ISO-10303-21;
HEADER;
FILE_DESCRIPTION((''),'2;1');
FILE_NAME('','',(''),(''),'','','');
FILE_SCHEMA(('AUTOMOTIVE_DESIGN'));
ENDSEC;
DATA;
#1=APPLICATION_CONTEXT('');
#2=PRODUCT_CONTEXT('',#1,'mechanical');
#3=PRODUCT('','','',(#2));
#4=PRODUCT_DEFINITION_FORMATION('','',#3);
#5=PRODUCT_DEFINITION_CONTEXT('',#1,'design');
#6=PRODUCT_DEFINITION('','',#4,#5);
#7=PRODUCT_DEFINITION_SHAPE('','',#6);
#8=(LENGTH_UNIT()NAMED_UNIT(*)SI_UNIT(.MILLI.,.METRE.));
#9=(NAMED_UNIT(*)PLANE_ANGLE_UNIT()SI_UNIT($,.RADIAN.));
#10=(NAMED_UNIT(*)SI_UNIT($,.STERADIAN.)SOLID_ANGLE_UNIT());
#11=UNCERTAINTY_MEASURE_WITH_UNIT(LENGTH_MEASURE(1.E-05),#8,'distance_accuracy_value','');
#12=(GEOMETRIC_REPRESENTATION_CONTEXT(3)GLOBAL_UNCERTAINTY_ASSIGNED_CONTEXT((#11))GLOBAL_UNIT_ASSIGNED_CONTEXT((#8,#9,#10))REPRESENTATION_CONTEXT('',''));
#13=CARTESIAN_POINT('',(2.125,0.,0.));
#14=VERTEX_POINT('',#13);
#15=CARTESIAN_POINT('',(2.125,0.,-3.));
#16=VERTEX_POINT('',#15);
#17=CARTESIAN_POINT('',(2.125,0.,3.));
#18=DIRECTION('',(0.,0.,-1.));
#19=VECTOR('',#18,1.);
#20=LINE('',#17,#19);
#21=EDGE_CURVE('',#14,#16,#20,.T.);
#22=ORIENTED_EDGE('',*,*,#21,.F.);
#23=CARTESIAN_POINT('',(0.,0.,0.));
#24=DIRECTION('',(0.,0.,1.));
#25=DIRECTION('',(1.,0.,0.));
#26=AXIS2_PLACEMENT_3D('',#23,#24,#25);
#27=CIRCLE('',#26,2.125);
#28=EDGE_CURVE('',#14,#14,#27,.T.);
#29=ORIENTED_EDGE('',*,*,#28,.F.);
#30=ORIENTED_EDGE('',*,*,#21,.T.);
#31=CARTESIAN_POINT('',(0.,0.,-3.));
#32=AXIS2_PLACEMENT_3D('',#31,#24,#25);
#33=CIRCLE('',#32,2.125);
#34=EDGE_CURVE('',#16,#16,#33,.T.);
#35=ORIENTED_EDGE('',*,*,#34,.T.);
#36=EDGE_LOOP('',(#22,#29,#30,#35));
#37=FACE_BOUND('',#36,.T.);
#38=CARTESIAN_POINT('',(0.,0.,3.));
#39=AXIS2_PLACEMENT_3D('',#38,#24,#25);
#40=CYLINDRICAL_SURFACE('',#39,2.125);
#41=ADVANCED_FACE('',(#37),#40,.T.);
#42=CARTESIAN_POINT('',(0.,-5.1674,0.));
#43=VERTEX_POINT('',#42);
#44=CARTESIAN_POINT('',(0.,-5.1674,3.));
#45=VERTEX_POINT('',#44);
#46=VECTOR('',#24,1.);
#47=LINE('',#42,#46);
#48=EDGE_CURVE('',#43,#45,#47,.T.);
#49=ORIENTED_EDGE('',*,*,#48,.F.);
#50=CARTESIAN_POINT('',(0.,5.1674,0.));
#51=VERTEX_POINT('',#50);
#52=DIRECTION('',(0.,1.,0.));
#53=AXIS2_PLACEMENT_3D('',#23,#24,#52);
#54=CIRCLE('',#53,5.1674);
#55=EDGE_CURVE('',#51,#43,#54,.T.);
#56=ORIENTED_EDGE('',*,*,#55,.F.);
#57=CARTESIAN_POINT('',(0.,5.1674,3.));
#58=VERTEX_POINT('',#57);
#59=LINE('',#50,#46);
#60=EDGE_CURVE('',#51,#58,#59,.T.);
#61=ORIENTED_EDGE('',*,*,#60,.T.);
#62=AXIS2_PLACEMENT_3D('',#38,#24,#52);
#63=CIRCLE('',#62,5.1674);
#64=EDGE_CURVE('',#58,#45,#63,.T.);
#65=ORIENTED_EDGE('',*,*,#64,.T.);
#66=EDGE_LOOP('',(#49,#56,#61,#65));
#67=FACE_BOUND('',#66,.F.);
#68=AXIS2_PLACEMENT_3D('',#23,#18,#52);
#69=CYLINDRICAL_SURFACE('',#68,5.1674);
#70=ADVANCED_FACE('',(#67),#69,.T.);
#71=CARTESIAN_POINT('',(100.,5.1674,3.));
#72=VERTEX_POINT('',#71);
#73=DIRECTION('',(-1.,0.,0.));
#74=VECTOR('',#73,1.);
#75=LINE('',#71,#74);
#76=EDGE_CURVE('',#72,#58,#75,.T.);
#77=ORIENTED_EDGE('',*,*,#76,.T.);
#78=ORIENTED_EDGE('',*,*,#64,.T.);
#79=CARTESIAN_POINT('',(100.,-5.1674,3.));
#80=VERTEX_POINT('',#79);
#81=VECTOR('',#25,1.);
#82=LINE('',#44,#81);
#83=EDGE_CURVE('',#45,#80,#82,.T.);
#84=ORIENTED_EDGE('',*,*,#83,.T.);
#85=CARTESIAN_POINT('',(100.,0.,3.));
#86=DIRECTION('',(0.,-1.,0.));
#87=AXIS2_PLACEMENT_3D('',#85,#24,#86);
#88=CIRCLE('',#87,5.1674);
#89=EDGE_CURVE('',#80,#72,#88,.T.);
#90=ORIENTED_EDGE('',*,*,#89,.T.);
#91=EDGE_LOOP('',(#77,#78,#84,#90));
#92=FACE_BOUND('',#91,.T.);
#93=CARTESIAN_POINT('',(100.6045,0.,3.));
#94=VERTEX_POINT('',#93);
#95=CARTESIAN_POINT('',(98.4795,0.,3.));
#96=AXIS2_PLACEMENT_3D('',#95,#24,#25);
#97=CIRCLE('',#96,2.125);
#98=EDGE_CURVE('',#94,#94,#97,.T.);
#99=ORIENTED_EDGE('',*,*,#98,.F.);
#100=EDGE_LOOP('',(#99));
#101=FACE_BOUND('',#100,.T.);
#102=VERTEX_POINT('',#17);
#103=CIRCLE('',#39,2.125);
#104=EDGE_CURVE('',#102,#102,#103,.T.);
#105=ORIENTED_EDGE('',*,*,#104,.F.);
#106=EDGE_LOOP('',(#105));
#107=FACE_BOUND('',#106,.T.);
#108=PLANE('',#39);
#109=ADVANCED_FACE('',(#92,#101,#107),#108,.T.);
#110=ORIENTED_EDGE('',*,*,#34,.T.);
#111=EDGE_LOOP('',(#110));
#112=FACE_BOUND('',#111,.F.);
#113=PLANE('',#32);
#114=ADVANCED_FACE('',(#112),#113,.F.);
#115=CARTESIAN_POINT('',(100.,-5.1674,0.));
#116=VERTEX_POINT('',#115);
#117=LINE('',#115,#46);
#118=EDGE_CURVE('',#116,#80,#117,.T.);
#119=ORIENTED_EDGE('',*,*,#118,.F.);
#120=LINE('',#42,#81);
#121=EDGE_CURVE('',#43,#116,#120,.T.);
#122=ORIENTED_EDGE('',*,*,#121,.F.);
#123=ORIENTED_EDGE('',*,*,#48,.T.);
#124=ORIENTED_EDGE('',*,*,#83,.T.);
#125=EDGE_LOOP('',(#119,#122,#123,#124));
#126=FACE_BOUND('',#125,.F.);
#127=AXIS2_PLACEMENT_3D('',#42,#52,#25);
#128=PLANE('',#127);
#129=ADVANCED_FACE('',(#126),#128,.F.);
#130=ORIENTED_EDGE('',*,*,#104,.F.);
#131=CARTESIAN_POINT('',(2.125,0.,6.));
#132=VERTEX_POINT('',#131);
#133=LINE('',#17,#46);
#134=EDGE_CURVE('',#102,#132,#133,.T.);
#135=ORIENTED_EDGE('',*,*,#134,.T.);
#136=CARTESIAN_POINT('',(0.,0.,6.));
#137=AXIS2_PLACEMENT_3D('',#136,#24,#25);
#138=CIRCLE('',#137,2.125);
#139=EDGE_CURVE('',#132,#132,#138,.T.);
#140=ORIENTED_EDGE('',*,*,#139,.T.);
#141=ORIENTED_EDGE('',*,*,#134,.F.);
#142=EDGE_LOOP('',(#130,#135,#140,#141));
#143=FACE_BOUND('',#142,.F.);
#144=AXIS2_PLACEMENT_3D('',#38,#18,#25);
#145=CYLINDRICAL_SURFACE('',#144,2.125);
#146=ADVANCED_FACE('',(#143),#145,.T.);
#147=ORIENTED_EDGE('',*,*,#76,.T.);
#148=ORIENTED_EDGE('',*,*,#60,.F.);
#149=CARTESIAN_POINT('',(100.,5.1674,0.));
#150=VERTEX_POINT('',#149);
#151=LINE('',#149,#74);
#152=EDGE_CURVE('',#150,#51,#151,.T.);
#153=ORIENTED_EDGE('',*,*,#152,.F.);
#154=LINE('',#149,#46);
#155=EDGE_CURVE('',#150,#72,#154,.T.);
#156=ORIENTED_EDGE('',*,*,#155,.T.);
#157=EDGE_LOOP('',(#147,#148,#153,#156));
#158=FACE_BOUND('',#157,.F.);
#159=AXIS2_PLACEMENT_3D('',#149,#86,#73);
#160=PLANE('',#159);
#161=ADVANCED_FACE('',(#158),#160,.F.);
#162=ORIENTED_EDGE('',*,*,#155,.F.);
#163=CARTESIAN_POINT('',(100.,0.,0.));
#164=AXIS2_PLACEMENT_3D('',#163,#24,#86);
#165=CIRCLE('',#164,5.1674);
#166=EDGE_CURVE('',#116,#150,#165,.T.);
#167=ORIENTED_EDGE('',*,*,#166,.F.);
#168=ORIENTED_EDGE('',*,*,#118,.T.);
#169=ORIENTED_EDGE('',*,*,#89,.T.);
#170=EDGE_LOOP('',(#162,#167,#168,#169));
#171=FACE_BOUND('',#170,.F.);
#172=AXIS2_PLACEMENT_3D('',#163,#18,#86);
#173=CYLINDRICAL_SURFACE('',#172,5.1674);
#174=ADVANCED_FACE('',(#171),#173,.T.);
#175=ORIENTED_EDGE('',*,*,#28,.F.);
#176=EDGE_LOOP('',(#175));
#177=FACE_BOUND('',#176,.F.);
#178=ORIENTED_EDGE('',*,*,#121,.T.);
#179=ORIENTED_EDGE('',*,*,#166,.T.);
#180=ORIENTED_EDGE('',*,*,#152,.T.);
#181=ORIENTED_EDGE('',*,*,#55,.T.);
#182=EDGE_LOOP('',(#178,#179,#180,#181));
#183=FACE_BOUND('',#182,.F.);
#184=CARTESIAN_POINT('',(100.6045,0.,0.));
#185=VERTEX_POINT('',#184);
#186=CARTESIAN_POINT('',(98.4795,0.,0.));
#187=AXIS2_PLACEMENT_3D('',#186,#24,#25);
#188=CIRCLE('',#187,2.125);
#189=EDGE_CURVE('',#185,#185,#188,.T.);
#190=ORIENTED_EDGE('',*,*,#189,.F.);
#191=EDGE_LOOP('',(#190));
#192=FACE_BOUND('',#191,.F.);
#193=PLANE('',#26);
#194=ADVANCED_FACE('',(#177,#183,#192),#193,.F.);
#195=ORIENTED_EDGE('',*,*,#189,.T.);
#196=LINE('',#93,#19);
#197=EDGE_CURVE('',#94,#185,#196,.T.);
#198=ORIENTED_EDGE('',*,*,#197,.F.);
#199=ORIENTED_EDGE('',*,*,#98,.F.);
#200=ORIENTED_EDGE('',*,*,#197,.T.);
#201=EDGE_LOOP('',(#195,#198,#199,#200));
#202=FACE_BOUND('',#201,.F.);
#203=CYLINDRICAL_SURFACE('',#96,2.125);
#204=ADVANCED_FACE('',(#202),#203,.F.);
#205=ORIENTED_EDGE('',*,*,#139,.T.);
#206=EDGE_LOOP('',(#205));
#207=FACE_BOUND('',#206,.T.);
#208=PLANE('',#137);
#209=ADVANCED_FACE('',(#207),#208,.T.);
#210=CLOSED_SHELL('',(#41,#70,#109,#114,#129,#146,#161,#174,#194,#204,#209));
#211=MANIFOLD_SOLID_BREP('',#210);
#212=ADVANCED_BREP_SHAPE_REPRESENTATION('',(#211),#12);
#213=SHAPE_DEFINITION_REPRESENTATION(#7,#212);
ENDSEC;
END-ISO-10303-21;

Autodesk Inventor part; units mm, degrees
ref_plane "YZ Plane" through (0, 0, 0) normal (1, 0, 0) x (0, 1, 0)
ref_plane "XZ Plane" through (0, 0, 0) normal (0, 1, 0) x (-1, 0, 0)
ref_plane "XY Plane" through (0, 0, 0) normal (0, 0, 1) x (1, 0, 0)
sketch "Sketch1" plane through (0, 0, 0) normal (0, 0, 1) x (1, 0, 0)
  line L0 (0, 0) -> (100, 0) construction
  line L1 (0, -5.1674) -> (100, -5.1674)
  line L2 (100, 5.1674) -> (0, 5.1674)
  arc A0 (0, 5.1674) -> (0, -5.1674) centre (0, 0) ccw
  arc A1 (100, -5.1674) -> (100, 5.1674) centre (100, 0) ccw
  point P0 (50, 0)
  dimension "d0" = 100
extrude "Extrusion1" add sketch "Sketch1" along normal blind 3
sketch "Sketch2" plane through (0, 0, 3) normal (0, 0, 1) x (1, 0, 0)
  circle A0 centre (0, 0) radius 2.125
  dimension "d3" = 4.25
extrude "Extrusion2" add sketch "Sketch2" along normal blind 3 and the other way blind 6
sketch "Sketch3" plane through (0, 0, 3) normal (0, 0, 1) x (1, 0, 0)
  circle A0 centre (140.404, 0) radius 2.125
  point P0 (0, 0)
  dimension "d8" = 4.25
extrude "Extrusion3" cut sketch "Sketch3" against normal blind 3
sketch "Sketch4" plane through (0, 0, 3) normal (0, 0, 1) x (1, 0, 0)
  circle A0 centre (120.4729, 0) radius 2.125
  point P0 (0, 0)
  dimension "d11" = 4.25
extrude "Extrusion4" cut sketch "Sketch4" against normal blind 10
sketch "Sketch5" plane through (0, 0, 3) normal (0, 0, 1) x (1, 0, 0)
  circle A0 centre (98.4795, 0) radius 2.125
  point P0 (0, 0)
  dimension "d14" = 4.25
extrude "Extrusion5" cut sketch "Sketch5" against normal blind 10
properties part number "connector linkage"
